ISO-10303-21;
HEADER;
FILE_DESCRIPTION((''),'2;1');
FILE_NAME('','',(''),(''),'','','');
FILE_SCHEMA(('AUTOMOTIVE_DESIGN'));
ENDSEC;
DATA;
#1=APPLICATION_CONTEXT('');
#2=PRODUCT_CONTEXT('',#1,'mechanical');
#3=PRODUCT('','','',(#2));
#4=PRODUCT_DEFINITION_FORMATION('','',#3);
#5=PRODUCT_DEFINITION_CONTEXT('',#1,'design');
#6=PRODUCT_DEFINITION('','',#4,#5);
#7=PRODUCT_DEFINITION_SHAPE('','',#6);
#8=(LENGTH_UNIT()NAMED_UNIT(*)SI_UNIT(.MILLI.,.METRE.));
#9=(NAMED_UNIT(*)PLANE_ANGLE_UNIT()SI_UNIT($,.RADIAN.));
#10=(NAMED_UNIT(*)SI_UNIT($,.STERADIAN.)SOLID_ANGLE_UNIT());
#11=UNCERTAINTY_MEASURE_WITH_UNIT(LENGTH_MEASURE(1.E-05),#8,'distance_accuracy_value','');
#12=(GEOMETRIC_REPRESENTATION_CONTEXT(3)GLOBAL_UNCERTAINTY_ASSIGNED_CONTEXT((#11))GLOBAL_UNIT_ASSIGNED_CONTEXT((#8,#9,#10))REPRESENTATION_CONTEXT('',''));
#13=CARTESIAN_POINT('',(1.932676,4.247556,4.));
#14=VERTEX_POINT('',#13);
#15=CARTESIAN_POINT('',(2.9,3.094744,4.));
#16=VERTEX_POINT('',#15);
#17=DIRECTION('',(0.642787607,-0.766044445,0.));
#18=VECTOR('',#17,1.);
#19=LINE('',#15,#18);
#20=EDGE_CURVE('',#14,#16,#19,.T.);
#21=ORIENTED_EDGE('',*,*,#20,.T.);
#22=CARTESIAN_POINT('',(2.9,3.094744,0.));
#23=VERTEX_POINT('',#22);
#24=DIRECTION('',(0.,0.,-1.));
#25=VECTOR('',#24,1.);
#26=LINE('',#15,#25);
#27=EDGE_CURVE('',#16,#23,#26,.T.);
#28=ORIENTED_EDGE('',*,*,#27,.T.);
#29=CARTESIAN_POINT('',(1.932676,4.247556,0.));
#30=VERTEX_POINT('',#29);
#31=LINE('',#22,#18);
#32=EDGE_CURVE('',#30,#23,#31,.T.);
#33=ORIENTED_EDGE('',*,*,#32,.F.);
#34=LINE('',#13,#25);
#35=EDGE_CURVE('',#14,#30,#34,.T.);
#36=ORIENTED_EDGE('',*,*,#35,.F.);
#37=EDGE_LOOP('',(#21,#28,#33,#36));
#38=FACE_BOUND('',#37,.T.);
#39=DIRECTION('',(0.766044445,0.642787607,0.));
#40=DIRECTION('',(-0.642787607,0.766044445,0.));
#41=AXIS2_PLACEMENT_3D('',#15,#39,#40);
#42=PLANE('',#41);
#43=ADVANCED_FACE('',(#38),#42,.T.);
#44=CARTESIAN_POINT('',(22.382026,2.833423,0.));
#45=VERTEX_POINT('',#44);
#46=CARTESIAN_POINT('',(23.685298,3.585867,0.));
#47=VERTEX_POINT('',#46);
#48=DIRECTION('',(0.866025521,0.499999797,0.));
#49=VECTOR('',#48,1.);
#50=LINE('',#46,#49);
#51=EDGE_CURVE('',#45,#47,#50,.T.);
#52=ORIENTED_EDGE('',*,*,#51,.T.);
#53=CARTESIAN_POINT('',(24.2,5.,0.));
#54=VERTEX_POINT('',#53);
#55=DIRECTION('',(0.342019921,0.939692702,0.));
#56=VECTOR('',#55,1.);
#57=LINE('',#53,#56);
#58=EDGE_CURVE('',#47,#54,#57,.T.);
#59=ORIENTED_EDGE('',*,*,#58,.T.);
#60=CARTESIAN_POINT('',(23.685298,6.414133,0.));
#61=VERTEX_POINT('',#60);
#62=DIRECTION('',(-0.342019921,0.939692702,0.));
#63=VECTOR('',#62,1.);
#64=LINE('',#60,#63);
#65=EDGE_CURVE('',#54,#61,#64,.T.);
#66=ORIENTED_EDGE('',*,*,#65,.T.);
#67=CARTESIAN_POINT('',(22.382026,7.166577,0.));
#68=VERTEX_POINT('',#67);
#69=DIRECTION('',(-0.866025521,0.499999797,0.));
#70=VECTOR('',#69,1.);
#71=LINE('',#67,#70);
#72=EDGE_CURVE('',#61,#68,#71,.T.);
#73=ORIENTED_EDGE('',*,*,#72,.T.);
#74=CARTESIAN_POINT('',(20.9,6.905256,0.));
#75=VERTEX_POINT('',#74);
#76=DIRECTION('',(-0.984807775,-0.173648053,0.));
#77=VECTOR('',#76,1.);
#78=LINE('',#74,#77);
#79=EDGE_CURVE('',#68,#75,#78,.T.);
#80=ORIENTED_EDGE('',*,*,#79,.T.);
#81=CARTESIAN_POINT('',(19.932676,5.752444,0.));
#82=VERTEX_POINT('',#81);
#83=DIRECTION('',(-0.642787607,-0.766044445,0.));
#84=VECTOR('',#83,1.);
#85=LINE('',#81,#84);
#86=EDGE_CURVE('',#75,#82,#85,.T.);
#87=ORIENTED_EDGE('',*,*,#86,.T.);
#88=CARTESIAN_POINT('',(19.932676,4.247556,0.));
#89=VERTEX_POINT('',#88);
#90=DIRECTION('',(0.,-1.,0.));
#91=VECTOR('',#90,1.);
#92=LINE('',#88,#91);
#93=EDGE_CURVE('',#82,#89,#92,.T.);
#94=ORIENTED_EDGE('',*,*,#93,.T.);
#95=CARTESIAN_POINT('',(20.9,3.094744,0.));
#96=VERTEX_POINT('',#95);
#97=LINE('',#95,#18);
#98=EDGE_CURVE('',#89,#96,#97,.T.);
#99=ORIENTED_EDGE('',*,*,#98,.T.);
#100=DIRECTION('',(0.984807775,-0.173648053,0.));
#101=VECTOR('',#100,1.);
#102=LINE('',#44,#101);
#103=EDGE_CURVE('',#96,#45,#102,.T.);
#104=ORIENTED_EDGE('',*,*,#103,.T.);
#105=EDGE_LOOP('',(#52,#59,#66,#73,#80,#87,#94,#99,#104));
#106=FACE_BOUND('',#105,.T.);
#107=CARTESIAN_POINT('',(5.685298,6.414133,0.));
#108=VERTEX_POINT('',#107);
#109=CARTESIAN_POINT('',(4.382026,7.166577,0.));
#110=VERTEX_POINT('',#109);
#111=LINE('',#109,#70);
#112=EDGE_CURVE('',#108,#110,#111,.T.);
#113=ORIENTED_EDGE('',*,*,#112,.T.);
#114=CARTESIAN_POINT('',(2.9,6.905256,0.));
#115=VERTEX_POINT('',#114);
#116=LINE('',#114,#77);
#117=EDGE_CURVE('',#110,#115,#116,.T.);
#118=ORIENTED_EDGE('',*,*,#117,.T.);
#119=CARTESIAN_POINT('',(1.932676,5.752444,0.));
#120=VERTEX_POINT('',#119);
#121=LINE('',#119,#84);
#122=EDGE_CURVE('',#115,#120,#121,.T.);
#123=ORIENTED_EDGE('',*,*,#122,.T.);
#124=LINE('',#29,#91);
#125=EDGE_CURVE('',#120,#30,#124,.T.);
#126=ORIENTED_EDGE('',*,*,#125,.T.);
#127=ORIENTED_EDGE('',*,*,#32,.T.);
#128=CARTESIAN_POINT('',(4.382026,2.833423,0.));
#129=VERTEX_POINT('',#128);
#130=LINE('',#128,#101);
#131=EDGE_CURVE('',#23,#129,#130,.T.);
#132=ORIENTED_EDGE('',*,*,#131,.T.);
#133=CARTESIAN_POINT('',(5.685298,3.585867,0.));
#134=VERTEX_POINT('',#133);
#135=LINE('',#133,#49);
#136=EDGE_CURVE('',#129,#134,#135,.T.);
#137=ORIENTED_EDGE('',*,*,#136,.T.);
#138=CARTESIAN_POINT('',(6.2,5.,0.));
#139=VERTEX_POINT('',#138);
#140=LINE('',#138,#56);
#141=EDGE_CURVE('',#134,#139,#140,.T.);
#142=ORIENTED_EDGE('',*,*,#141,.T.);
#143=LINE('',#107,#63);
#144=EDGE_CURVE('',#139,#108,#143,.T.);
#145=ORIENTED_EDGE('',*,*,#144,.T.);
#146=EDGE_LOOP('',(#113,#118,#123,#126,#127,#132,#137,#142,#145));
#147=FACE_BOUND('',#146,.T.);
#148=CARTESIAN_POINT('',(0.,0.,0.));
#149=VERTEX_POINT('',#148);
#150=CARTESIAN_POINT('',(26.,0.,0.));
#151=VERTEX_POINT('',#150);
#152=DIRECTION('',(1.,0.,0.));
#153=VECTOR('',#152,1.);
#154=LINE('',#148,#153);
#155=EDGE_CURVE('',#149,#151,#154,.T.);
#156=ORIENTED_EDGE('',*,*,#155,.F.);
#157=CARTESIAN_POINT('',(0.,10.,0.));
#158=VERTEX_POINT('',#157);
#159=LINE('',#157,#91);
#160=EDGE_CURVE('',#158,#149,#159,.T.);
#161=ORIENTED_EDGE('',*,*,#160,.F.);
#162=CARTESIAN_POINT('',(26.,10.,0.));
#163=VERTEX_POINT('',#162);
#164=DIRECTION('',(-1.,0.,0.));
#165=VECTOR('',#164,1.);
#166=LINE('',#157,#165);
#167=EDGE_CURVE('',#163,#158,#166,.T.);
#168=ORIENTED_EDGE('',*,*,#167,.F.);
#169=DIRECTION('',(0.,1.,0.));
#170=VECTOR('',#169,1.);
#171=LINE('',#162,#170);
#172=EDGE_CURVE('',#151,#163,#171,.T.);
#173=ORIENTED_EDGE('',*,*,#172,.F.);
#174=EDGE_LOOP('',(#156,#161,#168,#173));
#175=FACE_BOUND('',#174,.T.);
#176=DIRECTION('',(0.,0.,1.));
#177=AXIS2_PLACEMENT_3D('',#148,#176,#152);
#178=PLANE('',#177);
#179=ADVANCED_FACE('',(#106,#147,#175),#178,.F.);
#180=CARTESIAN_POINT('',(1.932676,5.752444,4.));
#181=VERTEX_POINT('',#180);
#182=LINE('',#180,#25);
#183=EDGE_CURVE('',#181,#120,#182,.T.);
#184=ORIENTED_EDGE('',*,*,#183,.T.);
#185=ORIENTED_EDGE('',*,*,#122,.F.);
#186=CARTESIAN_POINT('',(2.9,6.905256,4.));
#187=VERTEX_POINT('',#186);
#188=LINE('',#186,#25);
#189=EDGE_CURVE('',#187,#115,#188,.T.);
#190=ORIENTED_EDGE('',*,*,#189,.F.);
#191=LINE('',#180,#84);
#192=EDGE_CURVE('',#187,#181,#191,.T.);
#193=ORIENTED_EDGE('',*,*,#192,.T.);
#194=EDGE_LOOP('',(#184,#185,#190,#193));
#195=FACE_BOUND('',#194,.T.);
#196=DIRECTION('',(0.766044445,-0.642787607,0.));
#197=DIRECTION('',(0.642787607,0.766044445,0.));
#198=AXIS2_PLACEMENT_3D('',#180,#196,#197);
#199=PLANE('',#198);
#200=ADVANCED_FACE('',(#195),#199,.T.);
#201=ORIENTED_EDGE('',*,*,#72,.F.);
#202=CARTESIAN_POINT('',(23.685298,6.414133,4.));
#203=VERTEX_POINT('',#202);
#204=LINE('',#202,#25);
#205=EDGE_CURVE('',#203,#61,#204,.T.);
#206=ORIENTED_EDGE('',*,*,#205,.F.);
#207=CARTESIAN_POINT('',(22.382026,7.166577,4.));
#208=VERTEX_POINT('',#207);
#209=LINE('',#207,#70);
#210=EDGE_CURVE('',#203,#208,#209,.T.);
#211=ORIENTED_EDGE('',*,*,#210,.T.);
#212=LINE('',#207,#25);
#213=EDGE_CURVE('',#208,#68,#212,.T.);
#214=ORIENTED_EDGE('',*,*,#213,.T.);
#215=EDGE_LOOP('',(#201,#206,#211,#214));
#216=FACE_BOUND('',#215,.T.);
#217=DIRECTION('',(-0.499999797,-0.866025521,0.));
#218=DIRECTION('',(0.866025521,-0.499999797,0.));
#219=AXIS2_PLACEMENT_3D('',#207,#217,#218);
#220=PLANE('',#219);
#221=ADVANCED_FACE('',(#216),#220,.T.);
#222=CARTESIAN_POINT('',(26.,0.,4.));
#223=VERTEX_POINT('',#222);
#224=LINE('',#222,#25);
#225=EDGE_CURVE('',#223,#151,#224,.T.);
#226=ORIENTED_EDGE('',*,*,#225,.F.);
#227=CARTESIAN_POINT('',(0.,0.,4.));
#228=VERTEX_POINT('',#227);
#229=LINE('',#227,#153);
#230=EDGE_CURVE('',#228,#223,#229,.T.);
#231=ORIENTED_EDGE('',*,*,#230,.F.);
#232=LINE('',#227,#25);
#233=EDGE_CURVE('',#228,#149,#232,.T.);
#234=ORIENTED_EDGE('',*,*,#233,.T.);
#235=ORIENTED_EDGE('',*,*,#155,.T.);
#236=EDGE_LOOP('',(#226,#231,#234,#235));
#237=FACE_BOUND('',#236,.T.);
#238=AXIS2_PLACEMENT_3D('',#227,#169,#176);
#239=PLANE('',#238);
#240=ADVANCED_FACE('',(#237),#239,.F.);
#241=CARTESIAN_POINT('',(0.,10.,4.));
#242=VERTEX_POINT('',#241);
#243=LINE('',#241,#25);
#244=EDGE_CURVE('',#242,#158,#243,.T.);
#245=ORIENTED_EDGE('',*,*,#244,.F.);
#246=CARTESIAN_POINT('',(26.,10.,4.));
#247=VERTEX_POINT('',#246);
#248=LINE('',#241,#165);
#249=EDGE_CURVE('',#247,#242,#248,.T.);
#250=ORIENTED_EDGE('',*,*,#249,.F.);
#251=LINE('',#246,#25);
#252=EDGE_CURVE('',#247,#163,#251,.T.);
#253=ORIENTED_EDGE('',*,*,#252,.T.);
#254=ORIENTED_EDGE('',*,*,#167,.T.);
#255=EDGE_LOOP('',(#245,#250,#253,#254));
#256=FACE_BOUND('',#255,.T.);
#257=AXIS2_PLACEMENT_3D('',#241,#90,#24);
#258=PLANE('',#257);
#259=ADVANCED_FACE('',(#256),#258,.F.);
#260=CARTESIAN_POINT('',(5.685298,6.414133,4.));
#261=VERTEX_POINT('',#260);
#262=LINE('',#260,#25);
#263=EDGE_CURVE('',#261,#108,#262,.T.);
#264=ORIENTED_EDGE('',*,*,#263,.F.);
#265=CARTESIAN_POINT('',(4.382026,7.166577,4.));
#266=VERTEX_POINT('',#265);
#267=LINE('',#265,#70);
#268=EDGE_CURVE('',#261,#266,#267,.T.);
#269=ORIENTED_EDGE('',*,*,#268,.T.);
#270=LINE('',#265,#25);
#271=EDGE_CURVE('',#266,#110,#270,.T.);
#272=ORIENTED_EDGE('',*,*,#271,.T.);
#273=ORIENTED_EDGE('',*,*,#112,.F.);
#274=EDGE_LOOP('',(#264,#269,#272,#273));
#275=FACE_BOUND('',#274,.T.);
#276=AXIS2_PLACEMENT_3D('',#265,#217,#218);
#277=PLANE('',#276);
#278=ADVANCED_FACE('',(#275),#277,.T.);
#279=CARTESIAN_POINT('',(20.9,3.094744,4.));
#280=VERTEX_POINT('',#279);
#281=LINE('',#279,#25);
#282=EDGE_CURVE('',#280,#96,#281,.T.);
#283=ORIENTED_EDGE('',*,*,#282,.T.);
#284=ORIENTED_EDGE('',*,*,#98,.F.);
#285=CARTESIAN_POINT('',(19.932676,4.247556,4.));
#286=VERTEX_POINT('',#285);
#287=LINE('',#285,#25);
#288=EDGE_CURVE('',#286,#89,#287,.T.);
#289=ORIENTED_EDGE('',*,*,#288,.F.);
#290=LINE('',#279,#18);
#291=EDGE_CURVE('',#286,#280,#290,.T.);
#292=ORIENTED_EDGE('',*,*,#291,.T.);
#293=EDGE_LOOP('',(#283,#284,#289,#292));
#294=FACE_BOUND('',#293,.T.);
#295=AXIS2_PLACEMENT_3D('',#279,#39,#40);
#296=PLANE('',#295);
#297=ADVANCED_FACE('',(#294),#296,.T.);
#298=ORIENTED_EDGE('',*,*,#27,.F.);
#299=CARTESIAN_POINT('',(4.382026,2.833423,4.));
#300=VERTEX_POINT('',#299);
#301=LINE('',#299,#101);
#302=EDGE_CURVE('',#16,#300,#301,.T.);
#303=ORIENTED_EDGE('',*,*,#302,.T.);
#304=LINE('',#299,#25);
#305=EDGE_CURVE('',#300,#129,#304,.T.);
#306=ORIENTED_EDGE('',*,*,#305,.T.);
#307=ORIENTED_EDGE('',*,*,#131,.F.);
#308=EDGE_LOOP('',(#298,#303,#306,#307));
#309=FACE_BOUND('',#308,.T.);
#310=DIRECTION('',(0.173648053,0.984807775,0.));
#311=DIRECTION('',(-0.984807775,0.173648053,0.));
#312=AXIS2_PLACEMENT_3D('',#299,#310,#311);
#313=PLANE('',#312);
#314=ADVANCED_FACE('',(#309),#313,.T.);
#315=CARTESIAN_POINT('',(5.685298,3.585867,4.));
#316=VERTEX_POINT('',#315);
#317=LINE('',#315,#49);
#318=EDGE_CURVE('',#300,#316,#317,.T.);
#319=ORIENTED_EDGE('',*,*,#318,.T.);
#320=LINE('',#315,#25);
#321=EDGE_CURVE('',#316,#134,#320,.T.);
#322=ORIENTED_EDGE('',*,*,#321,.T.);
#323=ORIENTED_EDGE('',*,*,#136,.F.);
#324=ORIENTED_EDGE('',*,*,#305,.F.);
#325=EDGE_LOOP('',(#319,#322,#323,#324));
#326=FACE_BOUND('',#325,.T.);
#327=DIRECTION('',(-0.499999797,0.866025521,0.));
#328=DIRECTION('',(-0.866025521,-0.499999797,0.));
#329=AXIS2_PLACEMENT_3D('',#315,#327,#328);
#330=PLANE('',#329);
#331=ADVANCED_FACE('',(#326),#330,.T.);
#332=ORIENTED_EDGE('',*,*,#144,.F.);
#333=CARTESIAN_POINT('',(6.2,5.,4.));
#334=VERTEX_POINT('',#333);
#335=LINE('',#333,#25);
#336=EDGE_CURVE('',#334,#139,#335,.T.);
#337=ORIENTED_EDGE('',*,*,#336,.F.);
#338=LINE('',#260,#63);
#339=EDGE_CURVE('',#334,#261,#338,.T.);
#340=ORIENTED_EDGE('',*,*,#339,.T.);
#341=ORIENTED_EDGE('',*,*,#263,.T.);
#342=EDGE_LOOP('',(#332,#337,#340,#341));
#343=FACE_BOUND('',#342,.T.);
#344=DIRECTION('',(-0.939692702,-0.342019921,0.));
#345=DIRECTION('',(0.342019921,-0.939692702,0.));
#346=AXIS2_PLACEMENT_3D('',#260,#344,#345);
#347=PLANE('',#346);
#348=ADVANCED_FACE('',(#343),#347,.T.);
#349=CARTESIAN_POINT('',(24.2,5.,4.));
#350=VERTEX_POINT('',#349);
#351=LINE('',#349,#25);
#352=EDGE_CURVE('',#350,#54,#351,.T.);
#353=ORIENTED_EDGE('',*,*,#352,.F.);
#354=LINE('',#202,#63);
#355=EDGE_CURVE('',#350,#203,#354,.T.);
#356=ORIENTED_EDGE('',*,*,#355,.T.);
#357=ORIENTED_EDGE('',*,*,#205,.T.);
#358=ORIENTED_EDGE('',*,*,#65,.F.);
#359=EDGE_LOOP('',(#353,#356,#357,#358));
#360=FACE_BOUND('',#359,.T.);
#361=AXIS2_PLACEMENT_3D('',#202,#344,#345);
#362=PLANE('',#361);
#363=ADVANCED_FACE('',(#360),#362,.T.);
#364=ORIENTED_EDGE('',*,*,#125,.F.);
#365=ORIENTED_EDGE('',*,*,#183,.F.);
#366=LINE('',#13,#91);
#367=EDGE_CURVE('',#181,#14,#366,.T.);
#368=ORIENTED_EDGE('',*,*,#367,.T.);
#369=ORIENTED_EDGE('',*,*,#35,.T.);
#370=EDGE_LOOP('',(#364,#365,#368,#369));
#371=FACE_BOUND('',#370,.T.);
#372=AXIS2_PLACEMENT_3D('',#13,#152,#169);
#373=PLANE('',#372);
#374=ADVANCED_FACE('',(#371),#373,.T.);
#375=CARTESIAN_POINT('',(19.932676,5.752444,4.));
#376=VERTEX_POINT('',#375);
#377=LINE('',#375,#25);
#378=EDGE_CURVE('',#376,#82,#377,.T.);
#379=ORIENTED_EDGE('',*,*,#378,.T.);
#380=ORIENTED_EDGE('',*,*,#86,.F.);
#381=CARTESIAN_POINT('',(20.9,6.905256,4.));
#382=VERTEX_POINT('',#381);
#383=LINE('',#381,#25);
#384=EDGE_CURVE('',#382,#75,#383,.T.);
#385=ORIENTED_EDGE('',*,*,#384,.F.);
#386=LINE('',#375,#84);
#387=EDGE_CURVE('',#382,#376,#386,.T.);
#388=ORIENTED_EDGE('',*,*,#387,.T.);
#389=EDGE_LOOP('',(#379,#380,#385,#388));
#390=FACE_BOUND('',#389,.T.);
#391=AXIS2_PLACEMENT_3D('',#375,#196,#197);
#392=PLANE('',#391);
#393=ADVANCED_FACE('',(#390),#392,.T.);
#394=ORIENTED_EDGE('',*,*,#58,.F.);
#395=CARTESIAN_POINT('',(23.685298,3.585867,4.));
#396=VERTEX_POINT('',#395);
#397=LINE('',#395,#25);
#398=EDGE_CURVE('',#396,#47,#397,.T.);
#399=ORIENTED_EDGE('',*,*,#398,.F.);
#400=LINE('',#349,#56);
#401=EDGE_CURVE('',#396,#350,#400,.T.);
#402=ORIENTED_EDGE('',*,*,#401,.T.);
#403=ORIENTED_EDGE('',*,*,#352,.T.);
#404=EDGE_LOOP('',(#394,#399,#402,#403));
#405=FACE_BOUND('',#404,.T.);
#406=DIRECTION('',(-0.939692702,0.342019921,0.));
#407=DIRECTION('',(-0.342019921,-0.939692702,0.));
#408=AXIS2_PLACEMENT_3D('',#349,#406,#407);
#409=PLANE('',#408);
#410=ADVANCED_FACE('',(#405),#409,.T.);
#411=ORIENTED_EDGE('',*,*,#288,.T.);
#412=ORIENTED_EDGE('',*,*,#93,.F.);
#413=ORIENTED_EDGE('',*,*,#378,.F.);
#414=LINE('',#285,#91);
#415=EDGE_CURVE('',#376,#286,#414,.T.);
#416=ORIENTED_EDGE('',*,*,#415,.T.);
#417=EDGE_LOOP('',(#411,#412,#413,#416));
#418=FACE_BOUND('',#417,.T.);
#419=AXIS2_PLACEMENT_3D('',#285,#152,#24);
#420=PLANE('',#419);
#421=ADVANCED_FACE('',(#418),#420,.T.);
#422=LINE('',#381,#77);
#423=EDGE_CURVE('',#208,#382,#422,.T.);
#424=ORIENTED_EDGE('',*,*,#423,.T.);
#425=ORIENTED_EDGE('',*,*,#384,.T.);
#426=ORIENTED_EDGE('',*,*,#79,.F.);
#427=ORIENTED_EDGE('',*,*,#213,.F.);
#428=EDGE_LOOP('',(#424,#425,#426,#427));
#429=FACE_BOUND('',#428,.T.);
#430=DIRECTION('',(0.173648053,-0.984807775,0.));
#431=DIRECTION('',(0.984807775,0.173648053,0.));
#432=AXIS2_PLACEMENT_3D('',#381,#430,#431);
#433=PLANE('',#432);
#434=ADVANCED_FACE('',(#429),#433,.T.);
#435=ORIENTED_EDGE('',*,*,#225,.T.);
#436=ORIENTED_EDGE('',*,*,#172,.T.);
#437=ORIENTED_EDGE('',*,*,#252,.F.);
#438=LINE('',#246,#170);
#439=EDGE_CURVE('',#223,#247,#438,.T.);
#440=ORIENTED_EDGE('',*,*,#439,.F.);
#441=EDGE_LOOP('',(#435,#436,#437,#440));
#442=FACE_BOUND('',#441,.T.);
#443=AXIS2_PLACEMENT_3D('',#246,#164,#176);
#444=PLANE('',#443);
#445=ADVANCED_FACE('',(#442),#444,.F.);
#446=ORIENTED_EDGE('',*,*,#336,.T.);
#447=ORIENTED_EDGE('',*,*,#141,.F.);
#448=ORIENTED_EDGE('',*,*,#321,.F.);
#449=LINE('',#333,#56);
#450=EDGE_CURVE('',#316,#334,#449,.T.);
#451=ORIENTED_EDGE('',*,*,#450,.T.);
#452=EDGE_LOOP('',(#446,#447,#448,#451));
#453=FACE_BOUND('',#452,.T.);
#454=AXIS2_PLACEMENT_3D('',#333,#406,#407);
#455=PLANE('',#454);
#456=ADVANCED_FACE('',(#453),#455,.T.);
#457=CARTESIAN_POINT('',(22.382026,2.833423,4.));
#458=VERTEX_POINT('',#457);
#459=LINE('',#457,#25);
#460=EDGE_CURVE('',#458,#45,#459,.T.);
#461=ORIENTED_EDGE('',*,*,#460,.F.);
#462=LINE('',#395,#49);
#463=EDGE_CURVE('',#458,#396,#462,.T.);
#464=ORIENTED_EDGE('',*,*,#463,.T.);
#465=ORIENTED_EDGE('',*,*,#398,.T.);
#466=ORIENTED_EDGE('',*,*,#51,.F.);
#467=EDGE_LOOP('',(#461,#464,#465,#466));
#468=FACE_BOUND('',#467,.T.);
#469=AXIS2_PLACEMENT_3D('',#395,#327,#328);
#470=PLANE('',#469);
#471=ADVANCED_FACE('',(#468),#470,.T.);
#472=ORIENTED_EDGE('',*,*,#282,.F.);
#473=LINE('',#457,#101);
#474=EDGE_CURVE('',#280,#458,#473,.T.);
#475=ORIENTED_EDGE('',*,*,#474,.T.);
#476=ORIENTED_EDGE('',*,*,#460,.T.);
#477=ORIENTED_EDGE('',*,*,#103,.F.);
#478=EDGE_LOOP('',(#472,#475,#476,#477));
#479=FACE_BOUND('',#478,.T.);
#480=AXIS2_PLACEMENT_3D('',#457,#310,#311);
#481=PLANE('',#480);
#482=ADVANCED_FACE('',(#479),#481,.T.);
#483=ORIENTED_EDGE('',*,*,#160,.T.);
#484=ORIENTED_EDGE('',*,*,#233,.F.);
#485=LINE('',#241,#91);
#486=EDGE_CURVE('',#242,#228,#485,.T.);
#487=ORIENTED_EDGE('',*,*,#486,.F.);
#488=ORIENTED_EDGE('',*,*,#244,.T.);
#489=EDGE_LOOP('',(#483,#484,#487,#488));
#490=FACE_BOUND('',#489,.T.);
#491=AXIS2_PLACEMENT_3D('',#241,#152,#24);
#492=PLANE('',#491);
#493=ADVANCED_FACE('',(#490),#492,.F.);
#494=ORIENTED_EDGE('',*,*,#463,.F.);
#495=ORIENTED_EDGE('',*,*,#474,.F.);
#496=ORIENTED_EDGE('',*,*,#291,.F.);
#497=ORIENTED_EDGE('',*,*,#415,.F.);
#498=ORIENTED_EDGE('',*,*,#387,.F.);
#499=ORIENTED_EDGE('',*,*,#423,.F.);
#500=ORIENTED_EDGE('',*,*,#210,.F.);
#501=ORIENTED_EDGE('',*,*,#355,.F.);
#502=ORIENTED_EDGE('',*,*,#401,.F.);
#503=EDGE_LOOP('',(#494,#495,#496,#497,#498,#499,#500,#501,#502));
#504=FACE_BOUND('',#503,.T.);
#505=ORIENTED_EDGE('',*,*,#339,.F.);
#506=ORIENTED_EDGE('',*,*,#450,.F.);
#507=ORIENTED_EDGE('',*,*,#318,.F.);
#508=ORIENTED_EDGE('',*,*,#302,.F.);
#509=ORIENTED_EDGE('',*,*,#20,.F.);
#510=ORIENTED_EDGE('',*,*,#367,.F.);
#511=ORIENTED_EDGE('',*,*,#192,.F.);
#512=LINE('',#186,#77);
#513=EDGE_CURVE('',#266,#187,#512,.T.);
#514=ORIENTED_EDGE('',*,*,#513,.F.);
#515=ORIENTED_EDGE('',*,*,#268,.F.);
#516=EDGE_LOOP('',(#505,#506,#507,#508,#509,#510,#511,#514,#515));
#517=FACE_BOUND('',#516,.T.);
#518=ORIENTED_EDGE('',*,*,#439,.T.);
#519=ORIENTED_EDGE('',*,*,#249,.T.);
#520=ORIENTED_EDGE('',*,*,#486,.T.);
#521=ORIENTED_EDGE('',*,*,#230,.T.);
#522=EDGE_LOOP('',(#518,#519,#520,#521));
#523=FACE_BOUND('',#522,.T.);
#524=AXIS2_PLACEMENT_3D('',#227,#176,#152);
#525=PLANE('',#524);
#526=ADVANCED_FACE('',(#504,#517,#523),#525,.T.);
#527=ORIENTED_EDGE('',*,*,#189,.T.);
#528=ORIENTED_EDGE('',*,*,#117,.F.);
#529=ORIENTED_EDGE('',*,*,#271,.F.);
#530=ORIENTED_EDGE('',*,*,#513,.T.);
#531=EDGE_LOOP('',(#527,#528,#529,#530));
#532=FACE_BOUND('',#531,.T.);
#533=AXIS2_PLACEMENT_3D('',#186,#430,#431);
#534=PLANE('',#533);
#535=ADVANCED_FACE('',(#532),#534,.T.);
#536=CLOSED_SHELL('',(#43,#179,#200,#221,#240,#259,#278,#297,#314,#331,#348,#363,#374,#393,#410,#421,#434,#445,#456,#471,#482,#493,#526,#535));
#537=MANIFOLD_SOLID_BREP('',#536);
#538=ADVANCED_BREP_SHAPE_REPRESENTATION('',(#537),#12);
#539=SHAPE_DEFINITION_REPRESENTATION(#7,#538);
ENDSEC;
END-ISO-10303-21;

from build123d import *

# Parameters (mm, degrees)
SKETCH1_W           = 26
SKETCH1_H           = 10
BOSS_EXTRUDE1_DEPTH = 4


with BuildPart() as part:
    # Sketch1 → Boss-Extrude1 (new body)
    with BuildSketch(Plane.XY):
        with Locations((13, 5)):
            Rectangle(SKETCH1_W, SKETCH1_H)
        Polygon((2.899999851, 6.905256103), (4.382026, 7.166577107), (5.68529807, 6.414133033), (6.200000003, 5.000000051), (5.68529807, 3.585867069), (4.382026, 2.833422995), (2.899999851, 3.094743999), (1.932676008, 4.247555672), (1.932676008, 5.75244443), align=None, mode=Mode.SUBTRACT)
        Polygon((20.899999848, 6.905256103), (22.382025996, 7.166577107), (23.685298066, 6.414133033), (24.2, 5.000000051), (23.685298066, 3.585867069), (22.382025996, 2.833422995), (20.899999848, 3.094743999), (19.932676005, 4.247555672), (19.932676005, 5.75244443), align=None, mode=Mode.SUBTRACT)
    extrude(amount=BOSS_EXTRUDE1_DEPTH)


solid = part.part
